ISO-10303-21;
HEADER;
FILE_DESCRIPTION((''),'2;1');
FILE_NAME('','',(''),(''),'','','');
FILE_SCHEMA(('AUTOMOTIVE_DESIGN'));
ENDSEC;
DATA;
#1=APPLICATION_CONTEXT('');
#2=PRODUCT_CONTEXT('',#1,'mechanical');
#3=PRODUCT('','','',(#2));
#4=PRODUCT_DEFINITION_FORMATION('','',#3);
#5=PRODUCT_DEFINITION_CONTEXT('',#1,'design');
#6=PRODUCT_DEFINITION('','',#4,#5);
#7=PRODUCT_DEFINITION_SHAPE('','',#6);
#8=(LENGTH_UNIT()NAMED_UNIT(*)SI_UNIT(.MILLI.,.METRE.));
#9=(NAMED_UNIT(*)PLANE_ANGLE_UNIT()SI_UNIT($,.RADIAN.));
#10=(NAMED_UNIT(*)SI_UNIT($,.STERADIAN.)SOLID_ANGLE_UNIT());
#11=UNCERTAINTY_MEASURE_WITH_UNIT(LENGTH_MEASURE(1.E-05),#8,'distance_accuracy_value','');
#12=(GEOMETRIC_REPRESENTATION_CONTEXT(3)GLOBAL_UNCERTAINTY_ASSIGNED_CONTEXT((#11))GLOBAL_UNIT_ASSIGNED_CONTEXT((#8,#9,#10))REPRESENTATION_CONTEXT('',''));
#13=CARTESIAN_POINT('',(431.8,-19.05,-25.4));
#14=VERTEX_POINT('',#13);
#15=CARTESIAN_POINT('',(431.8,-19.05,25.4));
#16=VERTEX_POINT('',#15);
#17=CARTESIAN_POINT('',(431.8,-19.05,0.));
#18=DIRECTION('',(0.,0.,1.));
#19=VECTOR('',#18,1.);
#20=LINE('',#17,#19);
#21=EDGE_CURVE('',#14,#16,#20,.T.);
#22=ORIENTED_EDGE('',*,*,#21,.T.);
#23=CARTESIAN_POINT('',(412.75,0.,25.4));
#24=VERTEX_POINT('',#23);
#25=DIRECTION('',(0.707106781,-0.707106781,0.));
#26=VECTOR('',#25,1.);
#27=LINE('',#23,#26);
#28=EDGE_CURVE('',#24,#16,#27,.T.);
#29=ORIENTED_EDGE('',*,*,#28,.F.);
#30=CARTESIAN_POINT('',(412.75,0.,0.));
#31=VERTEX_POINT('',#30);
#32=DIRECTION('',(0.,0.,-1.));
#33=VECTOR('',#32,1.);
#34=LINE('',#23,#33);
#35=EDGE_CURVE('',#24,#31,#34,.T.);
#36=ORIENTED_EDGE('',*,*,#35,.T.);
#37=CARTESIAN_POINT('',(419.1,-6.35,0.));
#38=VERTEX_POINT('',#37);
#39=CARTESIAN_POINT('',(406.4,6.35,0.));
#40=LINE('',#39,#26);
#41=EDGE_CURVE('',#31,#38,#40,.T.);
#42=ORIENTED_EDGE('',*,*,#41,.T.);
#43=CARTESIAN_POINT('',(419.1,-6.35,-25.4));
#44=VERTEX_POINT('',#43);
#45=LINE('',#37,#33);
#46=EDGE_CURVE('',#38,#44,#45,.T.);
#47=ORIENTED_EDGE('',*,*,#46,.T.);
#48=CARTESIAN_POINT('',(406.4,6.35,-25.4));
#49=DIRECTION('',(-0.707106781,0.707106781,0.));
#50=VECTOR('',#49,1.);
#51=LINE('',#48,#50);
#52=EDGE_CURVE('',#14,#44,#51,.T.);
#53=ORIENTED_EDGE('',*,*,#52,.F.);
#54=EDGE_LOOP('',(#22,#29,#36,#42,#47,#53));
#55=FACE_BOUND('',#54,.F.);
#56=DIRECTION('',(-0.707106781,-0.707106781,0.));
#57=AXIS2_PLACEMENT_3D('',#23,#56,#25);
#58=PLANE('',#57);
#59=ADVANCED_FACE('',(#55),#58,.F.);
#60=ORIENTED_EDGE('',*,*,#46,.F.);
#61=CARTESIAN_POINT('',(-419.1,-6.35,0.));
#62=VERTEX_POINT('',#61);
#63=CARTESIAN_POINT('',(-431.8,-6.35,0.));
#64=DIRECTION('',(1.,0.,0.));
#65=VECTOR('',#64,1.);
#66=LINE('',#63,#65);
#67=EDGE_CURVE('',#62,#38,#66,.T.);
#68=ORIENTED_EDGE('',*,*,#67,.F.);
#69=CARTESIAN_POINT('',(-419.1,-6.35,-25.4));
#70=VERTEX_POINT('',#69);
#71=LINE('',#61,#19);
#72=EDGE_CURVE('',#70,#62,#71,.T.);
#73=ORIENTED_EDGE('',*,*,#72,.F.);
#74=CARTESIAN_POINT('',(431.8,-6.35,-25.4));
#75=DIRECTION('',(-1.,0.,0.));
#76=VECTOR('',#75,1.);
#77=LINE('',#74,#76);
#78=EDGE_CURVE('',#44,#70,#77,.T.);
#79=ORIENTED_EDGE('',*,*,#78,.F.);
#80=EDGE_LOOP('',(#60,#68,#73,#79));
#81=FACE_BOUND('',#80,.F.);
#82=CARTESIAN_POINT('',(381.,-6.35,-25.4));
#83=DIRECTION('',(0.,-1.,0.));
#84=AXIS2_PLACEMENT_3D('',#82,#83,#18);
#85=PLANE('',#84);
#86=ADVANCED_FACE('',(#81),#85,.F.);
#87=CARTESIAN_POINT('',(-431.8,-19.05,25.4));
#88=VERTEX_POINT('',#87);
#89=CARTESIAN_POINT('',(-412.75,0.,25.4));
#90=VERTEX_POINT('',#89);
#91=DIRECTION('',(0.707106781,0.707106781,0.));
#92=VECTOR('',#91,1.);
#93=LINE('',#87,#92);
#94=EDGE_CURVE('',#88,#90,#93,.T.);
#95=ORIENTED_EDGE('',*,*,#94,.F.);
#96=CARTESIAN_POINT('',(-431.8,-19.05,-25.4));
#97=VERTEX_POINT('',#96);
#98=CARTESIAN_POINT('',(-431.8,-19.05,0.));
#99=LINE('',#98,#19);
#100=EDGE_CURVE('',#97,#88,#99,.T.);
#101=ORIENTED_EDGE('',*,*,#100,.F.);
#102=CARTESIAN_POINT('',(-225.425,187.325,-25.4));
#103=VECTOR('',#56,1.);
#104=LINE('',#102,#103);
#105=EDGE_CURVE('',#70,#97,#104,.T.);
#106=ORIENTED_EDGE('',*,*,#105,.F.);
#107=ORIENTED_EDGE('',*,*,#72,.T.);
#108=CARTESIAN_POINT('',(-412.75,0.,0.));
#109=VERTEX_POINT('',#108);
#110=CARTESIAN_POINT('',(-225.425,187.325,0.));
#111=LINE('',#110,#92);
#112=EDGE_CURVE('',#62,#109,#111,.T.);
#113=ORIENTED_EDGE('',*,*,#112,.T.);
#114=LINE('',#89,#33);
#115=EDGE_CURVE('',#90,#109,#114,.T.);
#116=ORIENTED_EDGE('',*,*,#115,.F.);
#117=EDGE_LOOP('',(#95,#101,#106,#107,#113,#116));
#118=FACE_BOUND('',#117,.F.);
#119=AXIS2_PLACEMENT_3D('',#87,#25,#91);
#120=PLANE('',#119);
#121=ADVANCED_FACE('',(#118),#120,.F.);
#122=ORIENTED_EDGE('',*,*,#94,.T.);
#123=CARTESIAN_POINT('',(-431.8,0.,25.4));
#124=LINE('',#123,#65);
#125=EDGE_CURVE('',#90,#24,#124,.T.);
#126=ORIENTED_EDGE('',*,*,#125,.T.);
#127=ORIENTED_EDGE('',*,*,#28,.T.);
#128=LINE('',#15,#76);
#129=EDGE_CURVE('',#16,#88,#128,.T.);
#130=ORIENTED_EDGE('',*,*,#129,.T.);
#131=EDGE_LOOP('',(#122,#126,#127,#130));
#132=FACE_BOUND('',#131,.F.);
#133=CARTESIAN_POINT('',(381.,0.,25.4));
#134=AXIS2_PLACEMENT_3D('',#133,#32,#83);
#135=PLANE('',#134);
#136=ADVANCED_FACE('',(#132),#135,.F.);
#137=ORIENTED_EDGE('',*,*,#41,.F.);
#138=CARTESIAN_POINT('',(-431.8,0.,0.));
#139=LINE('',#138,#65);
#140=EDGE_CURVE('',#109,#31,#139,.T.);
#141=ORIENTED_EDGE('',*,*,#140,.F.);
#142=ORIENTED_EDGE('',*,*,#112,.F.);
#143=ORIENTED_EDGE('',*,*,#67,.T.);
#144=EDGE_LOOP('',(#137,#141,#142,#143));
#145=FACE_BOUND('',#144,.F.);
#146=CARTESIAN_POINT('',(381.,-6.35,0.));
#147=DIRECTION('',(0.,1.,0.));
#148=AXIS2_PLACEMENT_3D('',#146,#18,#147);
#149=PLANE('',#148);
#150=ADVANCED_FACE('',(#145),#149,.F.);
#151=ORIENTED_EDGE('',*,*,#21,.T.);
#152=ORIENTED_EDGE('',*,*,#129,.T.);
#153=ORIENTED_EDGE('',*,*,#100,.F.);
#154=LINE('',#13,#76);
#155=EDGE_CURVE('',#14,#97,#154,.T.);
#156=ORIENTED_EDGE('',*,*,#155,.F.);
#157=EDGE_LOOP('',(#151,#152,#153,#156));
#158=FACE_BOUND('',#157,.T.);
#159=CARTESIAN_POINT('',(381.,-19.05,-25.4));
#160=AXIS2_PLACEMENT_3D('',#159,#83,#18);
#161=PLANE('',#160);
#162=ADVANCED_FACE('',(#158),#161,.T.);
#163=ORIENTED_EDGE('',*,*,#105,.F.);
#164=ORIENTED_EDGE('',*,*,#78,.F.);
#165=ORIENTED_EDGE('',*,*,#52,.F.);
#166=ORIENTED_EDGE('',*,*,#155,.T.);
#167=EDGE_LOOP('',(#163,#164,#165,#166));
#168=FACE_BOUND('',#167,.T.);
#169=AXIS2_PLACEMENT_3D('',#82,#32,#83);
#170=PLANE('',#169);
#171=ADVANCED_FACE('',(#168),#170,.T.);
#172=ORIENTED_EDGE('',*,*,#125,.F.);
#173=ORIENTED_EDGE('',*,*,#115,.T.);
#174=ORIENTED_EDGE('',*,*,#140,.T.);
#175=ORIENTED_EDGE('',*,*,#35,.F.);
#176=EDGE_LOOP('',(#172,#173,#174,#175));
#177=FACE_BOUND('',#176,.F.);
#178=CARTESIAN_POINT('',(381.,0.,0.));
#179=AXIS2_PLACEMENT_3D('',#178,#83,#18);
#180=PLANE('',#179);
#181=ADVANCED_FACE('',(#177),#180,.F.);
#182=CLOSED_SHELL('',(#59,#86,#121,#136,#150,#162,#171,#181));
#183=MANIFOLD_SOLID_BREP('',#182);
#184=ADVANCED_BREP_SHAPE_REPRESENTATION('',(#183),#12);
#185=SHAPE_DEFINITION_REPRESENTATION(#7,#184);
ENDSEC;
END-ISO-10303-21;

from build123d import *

# Parameters (mm, degrees)
F0_W     = 762
F0_H     = 50.8
F1_DEPTH = 19.05
F3_DEPTH = 762.001
F4_DEPTH = 50.8
F5_DEPTH = 50.8
F7_DEPTH = 50.801


with BuildPart() as f1:
    # F0 (on Front) → F1 (new body)
    with BuildSketch(Plane.XZ):
        Rectangle(F0_W, F0_H)
    extrude(amount=F1_DEPTH)

    # F2 (on face) → F3 (cut, through all)
    with BuildSketch(Plane(origin=(-381, 0, 0), x_dir=(0, -1, 0), z_dir=(-1, 0, 0))):
        Polygon((6.35, -29.9884248525), (6.35, -25.4), (6.35, 0), (0, 0), (-13.0046028644, 0), (-13.0046028644, -29.9884248525), align=None)
    extrude(amount=-F3_DEPTH, mode=Mode.SUBTRACT)

    # F4 (add): a face of the model
    f4_faces = [f1.faces().sort_by_distance(p)[0] for p in [
        (-381, -10.795, 2.54),
    ]]
    extrude(f4_faces, amount=F4_DEPTH)

    # F5 (add): a face of the model
    f5_faces = [f1.faces().sort_by_distance(p)[0] for p in [
        (381, -10.795, 2.54),
    ]]
    extrude(f5_faces, amount=F5_DEPTH)

    # F6 (on face) → F7 (cut, through all)
    with BuildSketch(Plane.XY.offset(25.4)):
        Polygon((412.75, 0), (431.8, -19.05), (436.4477694035, -19.05), (436.4477694035, 9.3147736043), (412.75, 9.3147736043), align=None)
        Polygon((-444.389373064, -19.05), (-431.8, -19.05), (-412.75, 0), (-412.75, 9.4755124301), (-444.389373064, 9.4755124301), align=None)
    extrude(amount=-F7_DEPTH, mode=Mode.SUBTRACT)


solid = f1.part
